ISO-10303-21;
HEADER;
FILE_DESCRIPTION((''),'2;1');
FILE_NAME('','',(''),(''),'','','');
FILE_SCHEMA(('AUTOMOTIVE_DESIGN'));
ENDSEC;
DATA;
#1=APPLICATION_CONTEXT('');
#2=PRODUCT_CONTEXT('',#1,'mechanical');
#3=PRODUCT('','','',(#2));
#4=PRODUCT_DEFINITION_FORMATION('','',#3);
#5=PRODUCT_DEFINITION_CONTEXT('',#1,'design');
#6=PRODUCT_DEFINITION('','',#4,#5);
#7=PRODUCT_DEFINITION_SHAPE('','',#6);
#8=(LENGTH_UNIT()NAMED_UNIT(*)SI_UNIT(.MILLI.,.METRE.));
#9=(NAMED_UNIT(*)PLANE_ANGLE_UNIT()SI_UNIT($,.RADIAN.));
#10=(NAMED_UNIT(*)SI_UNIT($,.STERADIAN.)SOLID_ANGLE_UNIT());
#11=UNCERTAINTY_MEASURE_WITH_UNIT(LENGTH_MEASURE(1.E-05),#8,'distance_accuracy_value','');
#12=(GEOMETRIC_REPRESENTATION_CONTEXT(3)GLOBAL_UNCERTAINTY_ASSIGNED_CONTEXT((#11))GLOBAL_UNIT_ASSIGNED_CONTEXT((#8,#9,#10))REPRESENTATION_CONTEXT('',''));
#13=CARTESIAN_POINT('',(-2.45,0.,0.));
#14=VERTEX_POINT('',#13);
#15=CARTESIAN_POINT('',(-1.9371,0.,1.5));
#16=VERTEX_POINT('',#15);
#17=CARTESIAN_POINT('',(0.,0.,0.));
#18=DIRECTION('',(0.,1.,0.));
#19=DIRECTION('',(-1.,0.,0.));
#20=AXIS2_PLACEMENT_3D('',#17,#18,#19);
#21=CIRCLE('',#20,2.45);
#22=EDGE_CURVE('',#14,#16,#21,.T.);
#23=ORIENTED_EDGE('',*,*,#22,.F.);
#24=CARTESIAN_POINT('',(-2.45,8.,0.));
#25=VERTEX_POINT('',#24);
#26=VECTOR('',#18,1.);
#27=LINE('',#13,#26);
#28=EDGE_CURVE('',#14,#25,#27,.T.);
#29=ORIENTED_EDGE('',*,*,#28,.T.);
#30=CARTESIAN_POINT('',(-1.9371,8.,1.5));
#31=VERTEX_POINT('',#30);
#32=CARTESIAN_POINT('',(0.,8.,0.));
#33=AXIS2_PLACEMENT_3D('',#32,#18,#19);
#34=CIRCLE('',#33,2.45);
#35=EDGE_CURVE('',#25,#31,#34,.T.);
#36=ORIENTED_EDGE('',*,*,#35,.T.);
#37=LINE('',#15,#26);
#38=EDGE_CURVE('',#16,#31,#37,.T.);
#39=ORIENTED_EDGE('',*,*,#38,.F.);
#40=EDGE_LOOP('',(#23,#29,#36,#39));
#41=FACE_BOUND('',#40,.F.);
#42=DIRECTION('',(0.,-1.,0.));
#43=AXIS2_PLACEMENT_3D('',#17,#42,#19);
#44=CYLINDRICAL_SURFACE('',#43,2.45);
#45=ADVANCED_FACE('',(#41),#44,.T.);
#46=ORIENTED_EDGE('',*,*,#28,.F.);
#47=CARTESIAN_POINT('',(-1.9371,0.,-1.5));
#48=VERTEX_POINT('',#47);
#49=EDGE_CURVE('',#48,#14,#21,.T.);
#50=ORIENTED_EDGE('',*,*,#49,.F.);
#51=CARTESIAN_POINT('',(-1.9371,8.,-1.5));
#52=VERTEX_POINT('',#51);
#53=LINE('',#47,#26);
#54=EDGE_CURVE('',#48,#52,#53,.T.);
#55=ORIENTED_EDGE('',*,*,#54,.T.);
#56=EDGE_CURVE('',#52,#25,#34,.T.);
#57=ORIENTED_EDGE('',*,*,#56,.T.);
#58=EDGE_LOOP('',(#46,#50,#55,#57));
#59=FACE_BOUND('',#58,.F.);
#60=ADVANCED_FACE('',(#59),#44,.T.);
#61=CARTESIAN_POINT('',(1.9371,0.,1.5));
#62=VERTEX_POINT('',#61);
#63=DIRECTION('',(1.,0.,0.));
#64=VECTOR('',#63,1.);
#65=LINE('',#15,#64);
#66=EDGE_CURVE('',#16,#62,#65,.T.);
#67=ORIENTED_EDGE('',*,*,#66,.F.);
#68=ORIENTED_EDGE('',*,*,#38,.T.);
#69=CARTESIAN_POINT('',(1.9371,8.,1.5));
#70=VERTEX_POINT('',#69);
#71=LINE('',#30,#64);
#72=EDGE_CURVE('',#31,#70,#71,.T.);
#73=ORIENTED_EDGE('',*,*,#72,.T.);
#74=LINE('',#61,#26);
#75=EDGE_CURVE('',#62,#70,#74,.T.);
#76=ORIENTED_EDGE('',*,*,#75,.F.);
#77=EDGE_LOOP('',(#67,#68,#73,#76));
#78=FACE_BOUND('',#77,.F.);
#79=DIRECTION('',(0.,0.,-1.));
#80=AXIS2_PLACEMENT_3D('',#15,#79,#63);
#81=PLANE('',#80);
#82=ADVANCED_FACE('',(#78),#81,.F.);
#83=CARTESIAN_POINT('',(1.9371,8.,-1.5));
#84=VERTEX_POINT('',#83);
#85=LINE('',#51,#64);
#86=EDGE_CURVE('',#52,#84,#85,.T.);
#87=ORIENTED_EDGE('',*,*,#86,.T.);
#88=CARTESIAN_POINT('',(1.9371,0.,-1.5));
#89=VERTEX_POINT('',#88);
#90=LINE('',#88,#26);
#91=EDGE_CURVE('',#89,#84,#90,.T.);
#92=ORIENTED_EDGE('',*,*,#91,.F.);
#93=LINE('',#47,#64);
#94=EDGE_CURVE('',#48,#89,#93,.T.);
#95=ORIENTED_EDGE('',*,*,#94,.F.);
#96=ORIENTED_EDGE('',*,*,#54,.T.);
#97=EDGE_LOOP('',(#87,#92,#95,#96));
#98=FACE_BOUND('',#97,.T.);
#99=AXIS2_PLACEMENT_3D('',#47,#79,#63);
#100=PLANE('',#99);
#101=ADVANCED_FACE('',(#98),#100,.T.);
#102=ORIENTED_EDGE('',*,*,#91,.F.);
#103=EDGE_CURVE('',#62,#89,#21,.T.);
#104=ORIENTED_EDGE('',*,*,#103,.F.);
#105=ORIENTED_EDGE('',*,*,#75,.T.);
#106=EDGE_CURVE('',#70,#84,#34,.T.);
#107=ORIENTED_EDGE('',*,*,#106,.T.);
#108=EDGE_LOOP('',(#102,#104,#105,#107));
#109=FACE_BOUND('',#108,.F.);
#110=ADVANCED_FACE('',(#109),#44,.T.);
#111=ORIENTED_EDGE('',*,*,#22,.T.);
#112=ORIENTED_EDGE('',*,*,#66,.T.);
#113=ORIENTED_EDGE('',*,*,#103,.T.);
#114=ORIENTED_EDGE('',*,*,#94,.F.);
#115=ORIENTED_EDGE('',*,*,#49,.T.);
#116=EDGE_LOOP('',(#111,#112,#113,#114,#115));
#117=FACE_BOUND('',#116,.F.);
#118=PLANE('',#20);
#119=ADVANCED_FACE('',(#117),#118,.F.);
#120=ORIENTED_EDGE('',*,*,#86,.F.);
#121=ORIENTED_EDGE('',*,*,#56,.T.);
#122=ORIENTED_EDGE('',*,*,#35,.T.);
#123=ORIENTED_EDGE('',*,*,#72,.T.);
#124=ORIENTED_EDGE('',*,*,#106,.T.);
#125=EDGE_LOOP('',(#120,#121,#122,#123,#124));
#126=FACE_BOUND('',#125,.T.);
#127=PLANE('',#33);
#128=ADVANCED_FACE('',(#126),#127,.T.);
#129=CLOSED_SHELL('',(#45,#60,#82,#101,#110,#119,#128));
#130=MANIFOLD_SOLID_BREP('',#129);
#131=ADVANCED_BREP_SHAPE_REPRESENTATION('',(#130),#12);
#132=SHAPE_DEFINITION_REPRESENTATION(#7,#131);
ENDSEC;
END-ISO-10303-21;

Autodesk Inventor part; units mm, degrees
ref_plane "YZ Plane" through (0, 0, 0) normal (1, 0, 0) x (0, 1, 0)
ref_plane "XZ Plane" through (0, 0, 0) normal (0, 1, 0) x (-1, 0, 0)
ref_plane "XY Plane" through (0, 0, 0) normal (0, 0, 1) x (1, 0, 0)
sketch "Sketch1" plane through (0, 0, 0) normal (0, 1, 0) x (-1, 0, 0)
  circle A0 centre (0, 0) radius 2.45
  line L0 (1.9371, 1.5) -> (-1.9371, 1.5)
  line L1 (1.9371, -1.5) -> (-1.9371, -1.5)
  point P0 (0, -1.5)
  point P1 (0, 1.5)
  dimension "d0" = 3
  dimension "d1" = 4.9
extrude "Extrusion1" add sketch "Sketch1" along normal blind 8 contours A0 L1 L0
properties part number "motor_axle"
